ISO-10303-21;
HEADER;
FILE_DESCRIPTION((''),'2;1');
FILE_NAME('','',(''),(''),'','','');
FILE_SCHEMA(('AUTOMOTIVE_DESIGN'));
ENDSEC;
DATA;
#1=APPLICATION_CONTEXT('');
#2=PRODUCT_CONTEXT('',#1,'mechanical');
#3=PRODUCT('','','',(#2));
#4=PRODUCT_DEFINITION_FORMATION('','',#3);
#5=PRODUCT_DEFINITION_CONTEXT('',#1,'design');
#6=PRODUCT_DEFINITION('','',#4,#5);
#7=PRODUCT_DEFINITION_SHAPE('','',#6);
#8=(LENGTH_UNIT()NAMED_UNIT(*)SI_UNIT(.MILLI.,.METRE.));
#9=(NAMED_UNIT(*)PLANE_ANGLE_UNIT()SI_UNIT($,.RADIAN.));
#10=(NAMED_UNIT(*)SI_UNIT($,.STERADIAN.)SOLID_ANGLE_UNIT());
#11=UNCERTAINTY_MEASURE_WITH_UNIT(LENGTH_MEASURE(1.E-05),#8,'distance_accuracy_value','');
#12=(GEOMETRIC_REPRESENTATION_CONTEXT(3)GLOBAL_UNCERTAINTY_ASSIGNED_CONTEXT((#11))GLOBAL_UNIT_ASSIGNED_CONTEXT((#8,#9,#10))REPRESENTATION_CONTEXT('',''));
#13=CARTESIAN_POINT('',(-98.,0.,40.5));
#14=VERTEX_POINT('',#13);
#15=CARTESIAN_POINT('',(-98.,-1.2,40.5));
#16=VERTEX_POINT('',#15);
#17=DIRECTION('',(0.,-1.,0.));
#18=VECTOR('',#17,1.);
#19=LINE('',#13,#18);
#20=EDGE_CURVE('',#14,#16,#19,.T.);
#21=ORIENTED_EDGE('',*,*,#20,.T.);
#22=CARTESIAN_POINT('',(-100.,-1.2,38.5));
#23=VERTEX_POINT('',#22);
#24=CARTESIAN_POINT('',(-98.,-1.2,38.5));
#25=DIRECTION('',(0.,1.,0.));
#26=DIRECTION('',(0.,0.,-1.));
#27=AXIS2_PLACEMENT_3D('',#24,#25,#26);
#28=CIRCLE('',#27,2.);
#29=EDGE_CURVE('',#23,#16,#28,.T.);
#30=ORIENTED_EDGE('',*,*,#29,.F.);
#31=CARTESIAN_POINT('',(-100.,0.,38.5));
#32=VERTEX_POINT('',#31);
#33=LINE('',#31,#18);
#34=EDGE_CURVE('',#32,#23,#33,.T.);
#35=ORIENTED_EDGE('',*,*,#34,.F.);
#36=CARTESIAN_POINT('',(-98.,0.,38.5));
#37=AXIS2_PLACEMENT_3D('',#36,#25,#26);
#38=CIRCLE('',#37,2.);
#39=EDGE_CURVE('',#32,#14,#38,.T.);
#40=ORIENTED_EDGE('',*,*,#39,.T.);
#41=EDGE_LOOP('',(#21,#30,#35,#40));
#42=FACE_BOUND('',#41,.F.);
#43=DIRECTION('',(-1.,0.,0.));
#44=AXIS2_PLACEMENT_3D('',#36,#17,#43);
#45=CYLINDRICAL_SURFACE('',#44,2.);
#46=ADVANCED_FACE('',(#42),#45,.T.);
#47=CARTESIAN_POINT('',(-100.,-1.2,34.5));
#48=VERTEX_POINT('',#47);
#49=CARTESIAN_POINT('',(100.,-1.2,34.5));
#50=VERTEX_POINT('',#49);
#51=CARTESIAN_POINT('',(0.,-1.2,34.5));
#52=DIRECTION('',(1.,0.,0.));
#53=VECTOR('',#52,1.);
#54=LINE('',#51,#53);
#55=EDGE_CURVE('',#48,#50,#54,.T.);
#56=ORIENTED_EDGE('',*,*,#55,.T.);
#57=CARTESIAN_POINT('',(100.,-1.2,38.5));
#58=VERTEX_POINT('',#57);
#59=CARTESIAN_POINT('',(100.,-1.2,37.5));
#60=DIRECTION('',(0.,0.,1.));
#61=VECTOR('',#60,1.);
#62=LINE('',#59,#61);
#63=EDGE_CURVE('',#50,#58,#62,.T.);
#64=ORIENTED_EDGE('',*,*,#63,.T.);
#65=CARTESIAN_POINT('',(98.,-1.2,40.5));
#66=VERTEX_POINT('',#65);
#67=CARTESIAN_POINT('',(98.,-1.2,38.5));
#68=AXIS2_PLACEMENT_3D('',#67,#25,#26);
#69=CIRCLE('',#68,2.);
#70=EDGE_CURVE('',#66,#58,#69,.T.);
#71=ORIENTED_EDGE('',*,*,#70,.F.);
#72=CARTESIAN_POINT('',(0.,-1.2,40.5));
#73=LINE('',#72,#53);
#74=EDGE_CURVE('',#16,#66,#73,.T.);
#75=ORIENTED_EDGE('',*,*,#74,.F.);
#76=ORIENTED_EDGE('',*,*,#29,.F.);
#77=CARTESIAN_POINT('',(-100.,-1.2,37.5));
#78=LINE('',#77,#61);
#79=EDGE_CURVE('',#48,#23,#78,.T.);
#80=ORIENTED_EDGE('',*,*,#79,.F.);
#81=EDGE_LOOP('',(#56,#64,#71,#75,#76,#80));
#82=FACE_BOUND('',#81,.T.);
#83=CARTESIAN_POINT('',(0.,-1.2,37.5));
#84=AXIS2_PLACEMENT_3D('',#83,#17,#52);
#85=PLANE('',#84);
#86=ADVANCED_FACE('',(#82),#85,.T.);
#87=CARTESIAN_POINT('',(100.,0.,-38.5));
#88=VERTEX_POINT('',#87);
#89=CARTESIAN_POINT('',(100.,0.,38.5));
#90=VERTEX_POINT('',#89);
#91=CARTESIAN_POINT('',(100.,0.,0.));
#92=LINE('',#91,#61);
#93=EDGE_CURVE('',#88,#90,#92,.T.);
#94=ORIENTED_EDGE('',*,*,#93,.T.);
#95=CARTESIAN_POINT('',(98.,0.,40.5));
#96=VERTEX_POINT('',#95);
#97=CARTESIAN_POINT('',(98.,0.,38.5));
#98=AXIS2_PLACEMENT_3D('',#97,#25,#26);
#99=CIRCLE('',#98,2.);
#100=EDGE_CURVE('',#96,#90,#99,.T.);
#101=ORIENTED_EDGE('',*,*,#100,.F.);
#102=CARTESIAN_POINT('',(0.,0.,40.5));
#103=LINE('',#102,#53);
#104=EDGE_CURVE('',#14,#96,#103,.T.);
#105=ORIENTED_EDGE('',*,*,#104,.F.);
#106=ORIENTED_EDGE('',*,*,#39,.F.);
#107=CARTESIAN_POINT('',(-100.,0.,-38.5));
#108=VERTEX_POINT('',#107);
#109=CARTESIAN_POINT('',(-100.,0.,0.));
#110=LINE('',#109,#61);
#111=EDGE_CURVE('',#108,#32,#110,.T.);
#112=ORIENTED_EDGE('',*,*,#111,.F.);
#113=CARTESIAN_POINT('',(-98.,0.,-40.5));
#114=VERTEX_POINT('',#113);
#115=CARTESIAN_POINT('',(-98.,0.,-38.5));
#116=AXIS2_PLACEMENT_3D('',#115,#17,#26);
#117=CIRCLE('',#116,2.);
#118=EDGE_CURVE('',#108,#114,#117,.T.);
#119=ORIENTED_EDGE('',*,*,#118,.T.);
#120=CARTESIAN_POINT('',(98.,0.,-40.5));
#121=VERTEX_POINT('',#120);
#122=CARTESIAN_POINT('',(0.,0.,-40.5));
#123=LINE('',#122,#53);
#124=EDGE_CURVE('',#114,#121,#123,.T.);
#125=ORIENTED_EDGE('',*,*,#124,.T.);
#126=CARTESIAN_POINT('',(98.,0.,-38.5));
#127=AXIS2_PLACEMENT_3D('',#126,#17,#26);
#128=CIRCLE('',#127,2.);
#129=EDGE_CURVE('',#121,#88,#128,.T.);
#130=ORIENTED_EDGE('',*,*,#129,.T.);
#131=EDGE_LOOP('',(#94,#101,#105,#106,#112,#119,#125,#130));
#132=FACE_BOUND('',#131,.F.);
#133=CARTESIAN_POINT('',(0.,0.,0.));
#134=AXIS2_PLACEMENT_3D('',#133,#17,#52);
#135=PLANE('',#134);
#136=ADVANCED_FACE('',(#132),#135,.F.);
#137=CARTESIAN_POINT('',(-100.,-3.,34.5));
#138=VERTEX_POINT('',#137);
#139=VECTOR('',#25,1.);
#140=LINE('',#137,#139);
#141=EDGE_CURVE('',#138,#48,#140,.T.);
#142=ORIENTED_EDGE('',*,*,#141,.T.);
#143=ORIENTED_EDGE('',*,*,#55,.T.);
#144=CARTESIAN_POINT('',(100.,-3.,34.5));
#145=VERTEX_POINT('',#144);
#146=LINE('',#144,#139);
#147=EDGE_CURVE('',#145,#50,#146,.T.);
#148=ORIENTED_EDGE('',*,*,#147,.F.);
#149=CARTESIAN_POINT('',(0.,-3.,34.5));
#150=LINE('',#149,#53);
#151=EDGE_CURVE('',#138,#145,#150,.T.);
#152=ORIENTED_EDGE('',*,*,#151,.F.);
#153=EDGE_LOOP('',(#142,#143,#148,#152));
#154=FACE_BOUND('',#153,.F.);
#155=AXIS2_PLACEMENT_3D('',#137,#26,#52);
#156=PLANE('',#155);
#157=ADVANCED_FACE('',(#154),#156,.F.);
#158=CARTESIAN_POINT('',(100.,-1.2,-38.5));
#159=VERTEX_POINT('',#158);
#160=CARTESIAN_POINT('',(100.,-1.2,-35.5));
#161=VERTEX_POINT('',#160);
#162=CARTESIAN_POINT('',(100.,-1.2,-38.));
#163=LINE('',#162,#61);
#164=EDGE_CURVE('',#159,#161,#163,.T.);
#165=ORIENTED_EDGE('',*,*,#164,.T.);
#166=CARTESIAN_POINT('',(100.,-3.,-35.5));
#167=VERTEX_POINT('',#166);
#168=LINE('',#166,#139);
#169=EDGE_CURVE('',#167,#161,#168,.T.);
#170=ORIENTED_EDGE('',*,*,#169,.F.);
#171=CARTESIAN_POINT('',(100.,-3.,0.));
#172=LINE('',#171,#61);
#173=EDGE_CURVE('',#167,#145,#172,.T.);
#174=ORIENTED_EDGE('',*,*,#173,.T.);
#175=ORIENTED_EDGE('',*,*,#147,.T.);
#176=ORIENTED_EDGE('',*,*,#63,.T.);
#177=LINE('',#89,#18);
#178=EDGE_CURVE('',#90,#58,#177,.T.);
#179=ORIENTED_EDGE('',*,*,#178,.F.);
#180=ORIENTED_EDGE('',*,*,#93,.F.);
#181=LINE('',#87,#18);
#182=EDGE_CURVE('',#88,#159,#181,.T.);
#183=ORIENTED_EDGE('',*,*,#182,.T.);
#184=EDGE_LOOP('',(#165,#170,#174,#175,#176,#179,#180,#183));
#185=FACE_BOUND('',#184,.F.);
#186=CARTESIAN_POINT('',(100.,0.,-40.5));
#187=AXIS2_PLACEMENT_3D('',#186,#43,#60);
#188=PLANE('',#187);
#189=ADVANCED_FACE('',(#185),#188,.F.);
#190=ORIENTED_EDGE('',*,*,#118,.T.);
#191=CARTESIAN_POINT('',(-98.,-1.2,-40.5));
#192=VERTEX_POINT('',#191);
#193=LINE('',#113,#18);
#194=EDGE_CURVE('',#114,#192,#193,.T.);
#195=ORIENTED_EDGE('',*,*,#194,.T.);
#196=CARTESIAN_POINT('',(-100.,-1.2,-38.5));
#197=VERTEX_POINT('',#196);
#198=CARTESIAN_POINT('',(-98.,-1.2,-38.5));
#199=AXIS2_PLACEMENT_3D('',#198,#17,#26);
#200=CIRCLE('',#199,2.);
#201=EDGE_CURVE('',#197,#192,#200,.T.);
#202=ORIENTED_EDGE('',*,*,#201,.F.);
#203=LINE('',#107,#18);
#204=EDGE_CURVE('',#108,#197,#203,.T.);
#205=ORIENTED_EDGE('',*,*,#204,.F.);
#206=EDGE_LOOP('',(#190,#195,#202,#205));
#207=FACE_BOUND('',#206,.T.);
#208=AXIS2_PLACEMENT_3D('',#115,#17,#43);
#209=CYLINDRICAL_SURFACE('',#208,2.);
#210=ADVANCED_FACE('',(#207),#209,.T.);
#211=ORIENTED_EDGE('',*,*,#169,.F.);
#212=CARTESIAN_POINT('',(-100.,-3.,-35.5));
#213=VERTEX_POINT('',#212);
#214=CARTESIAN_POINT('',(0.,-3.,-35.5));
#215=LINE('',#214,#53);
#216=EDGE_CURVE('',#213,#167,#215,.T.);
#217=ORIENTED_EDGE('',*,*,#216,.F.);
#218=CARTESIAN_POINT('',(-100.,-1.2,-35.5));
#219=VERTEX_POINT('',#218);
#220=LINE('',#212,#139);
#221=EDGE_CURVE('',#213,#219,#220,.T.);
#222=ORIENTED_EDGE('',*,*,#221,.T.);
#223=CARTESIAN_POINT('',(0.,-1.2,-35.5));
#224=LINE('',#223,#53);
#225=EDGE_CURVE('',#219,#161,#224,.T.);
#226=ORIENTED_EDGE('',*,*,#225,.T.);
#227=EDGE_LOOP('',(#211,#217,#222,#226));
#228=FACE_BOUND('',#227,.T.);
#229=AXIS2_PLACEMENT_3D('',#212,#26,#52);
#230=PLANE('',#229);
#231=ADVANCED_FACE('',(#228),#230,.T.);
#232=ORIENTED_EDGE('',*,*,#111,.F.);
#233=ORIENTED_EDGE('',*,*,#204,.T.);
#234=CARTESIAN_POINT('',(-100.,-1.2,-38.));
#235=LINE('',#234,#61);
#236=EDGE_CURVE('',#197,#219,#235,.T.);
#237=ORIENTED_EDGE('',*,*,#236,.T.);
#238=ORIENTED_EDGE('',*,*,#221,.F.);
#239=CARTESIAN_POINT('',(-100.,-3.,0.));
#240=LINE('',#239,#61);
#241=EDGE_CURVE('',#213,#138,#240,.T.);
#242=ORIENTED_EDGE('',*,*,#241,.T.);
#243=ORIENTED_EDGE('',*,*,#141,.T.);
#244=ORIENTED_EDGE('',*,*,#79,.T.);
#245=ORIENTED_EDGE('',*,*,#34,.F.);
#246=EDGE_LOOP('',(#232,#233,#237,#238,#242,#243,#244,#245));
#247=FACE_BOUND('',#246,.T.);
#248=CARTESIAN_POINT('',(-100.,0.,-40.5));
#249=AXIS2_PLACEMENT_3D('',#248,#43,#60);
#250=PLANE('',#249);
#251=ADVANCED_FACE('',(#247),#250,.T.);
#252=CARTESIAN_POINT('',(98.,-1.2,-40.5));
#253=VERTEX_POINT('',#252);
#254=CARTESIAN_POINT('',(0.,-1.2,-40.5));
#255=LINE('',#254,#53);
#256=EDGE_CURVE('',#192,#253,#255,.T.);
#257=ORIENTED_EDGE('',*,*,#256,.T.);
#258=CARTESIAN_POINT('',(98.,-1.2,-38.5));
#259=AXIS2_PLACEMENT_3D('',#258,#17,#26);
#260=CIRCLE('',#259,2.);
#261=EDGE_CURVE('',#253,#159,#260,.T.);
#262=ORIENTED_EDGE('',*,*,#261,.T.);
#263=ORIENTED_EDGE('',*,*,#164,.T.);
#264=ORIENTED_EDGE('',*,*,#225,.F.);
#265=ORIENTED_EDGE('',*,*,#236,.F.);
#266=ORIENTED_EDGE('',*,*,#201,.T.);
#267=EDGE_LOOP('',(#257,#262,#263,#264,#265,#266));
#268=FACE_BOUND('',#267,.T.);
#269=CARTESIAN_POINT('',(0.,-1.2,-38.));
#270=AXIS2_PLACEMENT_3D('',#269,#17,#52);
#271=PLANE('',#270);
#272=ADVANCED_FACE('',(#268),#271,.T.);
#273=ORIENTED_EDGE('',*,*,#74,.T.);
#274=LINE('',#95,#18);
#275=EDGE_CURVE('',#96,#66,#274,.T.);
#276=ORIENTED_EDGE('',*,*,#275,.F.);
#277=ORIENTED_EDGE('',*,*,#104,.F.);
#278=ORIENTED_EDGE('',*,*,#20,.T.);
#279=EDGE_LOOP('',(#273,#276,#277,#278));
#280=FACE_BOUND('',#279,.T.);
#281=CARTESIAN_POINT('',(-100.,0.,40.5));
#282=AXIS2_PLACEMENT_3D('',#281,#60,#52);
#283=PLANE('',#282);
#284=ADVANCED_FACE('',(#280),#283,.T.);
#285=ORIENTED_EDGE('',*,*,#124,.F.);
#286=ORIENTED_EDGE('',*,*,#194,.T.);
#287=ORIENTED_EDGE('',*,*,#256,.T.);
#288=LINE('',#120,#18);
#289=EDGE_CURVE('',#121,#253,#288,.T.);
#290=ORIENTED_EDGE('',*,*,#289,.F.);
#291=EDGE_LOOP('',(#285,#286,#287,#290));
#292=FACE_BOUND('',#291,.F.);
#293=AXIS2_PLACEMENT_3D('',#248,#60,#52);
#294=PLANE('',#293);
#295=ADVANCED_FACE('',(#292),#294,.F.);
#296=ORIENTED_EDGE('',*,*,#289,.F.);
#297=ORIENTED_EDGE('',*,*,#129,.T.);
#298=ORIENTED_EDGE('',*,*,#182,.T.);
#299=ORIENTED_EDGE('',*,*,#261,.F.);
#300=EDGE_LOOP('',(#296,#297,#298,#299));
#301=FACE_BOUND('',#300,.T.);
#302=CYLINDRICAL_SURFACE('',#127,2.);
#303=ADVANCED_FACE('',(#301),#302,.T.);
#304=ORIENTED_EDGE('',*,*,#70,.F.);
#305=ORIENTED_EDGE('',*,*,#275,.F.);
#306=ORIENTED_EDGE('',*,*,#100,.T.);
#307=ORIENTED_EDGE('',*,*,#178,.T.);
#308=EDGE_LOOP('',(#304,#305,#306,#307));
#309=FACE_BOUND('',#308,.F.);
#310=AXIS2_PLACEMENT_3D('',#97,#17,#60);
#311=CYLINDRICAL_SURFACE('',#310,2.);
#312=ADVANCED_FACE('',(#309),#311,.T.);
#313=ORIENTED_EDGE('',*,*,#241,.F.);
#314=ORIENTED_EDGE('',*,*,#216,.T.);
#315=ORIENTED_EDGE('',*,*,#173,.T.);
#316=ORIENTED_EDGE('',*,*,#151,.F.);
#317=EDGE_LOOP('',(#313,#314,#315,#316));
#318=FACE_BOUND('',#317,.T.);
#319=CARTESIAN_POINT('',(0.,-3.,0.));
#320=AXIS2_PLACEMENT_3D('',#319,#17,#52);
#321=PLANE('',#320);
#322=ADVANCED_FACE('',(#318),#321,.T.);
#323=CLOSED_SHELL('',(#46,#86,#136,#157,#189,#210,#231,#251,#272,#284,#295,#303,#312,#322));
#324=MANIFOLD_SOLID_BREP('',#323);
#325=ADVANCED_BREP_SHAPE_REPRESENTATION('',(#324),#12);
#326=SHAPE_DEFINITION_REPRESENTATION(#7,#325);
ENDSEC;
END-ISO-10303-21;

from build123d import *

# Parameters (mm, degrees)
F0_W     = 200
F0_H     = 81
F1_DEPTH = 3
F2_W     = 200
F2_H     = 6
F2_H_2   = 5
F3_DEPTH = 1.8
F4_R     = 2


with BuildPart() as f1:
    # F0 (on Front) → F1 (new body)
    with BuildSketch(Plane.XZ):
        Rectangle(F0_W, F0_H)
    extrude(amount=F1_DEPTH)

    # F2 (on face) → F3 (cut)
    with BuildSketch(Plane.XZ.offset(3)):
        with Locations((0, 37.5)):
            Rectangle(F2_W, F2_H)
        with Locations((0, -38)):
            Rectangle(F2_W, F2_H_2)
    extrude(amount=-F3_DEPTH, mode=Mode.SUBTRACT)

    # F4
    f4_edges = [f1.edges().sort_by_distance(p)[0] for p in [
        (-100, -0.6, -40.5),
        (-100, -0.6, 40.5),
        (100, -0.6, -40.5),
        (100, -0.6, 40.5),
    ]]
    fillet(f4_edges, radius=F4_R)


solid = f1.part
